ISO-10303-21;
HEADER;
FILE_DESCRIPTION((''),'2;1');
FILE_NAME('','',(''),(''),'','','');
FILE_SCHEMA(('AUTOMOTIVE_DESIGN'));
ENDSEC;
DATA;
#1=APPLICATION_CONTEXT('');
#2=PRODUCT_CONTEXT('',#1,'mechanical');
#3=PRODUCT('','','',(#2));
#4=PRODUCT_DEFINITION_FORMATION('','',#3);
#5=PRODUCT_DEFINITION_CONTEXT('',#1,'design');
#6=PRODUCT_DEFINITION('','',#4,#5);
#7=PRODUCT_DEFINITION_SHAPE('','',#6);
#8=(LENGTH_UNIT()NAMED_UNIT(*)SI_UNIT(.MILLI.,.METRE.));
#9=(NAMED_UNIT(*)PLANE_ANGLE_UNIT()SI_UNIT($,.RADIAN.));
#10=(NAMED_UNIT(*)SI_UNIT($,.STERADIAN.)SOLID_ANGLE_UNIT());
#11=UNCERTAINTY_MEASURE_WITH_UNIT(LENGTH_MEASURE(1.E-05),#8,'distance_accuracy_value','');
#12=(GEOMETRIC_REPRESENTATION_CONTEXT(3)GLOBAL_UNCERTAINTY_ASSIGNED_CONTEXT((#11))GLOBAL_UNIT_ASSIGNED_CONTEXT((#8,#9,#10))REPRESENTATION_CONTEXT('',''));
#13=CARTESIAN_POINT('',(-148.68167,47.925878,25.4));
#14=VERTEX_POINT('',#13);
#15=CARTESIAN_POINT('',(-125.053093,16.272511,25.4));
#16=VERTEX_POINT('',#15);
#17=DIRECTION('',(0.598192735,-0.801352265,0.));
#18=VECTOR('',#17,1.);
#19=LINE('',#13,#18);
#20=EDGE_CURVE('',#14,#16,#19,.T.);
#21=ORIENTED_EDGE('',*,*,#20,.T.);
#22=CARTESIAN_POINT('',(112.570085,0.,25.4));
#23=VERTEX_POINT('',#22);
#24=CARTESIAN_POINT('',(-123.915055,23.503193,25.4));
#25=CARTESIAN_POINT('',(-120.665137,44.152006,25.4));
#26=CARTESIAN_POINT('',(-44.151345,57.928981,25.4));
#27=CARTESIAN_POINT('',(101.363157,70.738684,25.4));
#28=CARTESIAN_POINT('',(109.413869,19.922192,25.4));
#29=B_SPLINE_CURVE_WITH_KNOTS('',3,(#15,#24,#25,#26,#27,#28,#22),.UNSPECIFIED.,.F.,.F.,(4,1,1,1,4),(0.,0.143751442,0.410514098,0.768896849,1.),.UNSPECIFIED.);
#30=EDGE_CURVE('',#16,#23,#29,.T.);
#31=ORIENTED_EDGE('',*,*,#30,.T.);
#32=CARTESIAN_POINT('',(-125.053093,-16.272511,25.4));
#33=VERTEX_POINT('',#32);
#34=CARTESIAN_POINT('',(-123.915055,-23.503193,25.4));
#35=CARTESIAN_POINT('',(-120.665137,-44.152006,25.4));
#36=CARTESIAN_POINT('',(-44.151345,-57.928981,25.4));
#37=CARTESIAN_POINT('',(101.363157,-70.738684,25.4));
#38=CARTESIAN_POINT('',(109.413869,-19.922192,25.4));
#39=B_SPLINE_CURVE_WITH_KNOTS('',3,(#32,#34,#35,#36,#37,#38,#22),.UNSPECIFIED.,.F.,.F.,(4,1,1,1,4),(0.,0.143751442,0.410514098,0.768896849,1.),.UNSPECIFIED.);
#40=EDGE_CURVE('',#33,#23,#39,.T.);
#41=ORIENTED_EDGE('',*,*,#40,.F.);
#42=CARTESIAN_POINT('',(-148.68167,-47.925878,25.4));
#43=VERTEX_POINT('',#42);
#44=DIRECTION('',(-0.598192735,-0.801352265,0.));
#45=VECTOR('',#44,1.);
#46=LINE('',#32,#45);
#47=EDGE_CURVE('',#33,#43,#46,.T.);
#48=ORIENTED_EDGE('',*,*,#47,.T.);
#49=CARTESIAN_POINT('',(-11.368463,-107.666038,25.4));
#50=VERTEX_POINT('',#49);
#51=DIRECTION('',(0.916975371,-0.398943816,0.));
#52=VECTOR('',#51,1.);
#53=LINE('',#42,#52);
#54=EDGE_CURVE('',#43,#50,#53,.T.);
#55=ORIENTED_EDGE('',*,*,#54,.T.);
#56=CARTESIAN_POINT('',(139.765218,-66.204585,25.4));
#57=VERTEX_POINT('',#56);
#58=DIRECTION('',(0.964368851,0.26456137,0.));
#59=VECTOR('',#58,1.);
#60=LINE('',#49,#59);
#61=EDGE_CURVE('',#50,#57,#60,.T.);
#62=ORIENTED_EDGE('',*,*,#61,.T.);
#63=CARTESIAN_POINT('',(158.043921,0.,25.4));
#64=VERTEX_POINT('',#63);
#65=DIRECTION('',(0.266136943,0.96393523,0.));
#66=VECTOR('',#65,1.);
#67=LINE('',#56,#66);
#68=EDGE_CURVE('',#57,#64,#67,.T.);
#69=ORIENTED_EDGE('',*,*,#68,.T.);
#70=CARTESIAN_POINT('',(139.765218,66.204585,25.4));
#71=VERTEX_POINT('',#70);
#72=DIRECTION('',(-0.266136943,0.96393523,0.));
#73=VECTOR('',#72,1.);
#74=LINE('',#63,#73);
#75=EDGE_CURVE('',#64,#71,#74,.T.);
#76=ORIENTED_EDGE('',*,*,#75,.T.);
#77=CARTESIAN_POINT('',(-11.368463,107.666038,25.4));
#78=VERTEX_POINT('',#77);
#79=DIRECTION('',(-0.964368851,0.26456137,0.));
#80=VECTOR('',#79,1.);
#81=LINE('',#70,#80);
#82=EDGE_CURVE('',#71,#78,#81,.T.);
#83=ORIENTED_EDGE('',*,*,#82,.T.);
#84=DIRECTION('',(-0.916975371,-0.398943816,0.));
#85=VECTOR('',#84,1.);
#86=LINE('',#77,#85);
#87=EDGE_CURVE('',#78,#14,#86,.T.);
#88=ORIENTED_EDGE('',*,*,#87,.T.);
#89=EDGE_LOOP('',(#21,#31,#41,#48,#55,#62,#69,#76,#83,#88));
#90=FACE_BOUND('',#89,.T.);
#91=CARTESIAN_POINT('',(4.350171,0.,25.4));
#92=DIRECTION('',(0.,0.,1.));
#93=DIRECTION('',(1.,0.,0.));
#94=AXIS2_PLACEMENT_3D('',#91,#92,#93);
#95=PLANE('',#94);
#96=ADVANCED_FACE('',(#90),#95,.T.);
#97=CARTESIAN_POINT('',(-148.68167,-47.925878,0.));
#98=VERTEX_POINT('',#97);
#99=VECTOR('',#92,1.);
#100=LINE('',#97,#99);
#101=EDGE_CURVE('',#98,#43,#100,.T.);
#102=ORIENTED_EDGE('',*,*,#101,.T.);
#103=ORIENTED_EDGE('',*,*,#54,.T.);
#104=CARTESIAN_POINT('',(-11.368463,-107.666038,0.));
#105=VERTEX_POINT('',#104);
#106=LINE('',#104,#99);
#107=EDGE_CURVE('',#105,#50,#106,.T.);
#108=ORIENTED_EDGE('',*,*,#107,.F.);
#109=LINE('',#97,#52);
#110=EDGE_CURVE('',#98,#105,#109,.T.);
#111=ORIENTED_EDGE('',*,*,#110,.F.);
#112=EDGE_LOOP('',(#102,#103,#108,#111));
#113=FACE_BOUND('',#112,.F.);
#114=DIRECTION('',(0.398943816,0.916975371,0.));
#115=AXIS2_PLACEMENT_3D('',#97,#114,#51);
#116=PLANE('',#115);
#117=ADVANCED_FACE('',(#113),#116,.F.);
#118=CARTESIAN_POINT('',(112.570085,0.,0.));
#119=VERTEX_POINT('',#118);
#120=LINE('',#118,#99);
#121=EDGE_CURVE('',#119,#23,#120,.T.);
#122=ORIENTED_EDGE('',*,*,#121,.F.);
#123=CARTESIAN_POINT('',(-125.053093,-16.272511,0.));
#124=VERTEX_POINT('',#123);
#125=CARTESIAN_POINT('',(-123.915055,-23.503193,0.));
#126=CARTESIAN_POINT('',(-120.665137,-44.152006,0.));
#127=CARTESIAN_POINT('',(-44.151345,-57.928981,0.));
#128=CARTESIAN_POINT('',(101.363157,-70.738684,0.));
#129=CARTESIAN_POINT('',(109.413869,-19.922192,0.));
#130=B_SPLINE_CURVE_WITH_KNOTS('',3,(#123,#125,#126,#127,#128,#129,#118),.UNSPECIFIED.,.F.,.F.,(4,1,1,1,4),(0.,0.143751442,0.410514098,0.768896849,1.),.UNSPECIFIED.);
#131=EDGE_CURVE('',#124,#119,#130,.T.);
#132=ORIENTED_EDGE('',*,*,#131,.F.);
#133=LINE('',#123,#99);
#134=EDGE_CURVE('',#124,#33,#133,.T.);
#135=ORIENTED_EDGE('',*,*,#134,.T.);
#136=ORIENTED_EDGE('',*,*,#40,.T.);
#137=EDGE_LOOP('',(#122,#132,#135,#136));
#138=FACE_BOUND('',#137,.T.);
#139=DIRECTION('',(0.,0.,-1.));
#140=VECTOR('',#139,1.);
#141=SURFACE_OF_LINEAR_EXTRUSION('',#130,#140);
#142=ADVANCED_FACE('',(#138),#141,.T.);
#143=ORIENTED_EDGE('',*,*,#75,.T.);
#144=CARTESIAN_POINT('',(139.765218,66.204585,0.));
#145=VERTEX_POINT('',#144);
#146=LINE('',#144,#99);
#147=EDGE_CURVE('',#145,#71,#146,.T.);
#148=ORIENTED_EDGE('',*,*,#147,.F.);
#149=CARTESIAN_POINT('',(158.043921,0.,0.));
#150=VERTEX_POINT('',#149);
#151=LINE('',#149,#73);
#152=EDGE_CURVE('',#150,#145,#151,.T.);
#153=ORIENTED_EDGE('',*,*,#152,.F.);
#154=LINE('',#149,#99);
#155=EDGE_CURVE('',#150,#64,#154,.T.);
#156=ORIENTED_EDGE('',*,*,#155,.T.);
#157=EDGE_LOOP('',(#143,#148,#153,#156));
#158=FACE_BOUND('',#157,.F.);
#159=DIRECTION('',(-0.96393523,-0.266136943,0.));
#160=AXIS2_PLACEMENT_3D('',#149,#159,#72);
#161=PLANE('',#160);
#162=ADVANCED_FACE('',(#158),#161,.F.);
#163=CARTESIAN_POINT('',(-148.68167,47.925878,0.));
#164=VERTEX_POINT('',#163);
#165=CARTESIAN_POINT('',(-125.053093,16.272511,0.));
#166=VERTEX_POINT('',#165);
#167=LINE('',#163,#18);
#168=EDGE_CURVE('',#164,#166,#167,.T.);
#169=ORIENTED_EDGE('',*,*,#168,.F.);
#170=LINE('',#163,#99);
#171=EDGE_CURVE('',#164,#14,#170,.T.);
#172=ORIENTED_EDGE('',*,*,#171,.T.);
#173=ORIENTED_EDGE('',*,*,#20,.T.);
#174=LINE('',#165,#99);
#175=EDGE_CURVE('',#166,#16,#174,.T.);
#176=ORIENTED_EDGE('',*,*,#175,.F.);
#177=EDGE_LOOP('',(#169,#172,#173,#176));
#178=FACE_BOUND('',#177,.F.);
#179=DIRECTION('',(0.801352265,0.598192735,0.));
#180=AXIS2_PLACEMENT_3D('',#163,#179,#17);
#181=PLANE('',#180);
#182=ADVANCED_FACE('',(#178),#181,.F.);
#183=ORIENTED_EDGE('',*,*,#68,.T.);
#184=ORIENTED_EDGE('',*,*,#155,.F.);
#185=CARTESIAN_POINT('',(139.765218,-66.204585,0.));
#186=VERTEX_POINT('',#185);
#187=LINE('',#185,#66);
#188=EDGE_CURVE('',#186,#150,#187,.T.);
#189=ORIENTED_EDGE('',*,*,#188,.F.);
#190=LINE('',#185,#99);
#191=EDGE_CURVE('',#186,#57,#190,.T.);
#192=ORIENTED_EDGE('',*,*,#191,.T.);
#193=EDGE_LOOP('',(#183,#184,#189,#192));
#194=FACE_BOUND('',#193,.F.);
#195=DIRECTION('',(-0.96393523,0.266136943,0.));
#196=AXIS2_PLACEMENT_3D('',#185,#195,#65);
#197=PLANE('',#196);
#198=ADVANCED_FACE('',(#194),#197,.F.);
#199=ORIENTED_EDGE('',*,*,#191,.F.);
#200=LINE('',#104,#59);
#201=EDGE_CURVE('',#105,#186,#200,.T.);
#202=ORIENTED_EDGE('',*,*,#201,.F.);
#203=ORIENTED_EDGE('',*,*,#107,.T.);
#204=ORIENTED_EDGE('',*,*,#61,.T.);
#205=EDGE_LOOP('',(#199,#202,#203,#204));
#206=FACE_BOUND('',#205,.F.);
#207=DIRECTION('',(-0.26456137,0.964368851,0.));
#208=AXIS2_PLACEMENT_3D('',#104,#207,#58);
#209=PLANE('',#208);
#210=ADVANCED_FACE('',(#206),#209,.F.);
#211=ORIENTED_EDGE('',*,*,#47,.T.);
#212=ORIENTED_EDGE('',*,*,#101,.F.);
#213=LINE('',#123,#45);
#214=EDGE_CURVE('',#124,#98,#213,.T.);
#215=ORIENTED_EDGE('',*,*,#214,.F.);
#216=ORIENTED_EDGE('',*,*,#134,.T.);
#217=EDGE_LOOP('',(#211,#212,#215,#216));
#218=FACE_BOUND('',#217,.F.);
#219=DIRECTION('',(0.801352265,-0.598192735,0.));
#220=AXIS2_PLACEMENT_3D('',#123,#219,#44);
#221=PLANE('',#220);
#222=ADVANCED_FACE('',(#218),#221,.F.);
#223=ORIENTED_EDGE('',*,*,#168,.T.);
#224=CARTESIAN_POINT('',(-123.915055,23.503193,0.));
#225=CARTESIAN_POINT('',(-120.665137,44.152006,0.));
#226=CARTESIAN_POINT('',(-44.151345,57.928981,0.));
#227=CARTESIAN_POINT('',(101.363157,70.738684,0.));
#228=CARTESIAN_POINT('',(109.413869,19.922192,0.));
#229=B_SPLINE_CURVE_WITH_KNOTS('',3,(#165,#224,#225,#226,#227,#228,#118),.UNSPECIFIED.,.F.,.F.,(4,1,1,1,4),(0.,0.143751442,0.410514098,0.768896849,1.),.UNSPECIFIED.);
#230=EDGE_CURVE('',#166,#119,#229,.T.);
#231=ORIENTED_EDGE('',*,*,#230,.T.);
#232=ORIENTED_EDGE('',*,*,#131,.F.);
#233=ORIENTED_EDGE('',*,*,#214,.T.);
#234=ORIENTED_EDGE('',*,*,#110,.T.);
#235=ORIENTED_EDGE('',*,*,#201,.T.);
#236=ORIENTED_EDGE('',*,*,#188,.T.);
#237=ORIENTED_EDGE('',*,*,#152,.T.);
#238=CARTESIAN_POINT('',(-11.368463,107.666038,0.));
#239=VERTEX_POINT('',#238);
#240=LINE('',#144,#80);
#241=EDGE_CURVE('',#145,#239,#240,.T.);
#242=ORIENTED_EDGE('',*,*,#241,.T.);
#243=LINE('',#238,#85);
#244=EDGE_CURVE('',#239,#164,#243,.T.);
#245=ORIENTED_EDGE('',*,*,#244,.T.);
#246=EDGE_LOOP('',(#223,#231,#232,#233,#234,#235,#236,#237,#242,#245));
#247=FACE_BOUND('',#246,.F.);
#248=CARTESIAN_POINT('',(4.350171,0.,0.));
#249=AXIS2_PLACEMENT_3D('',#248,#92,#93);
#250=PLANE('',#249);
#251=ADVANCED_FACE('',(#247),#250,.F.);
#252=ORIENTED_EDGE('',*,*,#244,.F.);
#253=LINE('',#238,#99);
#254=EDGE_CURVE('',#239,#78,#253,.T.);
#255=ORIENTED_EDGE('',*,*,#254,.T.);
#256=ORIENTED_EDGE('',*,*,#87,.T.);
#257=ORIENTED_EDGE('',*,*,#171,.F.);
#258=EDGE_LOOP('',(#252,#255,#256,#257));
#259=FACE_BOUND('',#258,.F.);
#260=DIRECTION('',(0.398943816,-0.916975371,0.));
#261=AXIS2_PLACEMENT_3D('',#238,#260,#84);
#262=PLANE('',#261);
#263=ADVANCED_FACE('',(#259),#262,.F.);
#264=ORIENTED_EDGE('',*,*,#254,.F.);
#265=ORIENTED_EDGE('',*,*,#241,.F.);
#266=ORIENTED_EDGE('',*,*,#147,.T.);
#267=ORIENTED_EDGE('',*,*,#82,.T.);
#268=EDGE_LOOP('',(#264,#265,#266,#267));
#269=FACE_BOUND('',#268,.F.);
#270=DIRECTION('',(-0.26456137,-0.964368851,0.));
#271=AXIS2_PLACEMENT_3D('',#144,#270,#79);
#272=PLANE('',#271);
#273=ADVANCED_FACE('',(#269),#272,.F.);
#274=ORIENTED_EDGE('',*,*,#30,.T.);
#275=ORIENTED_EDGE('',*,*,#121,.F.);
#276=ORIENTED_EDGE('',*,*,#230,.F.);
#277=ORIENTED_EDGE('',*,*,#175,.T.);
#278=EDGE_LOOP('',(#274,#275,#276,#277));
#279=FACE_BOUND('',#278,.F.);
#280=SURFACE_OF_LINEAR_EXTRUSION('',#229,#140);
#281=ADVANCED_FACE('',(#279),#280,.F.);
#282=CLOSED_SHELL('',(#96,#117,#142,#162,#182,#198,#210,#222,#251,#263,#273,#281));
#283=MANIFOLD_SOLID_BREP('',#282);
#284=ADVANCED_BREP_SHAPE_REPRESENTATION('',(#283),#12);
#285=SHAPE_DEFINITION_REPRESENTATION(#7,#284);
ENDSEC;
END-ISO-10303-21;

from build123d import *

# Parameters (mm, degrees)
F1_DEPTH = 25.4


with BuildPart() as f1:
    # F0 (on Top) → F1 (new body)
    with BuildSketch(Plane.XY):
        with BuildLine():
            Line((-148.6816704273, 47.9258783162), (-125.0530928373, 16.2725113332))
            add(Edge.make_bspline(
                [(-125.0530928373, 16.2725113332), (-123.9150552823, 23.5031928616), (-120.665136863, 44.1520062327), (-44.1513454458, 57.9289810707), (101.3631570312, 70.7386841043), (109.4138686502, 19.9221921677), (112.5700846314, 0)],
                knots=[0, 0, 0, 0, 0.1437514422, 0.4105140975, 0.7688968486, 1, 1, 1, 1], degree=3))
            add(Edge.make_bspline(
                [(-125.0530928373, -16.2725113332), (-123.9150552823, -23.5031928616), (-120.665136863, -44.1520062327), (-44.1513454458, -57.9289810707), (101.3631570312, -70.7386841043), (109.4138686502, -19.9221921677), (112.5700846314, 0)],
                knots=[0, 0, 0, 0, 0.1437514422, 0.4105140975, 0.7688968486, 1, 1, 1, 1], degree=3))
            Line((-125.0530928373, -16.2725113332), (-148.6816704273, -47.9258783162))
            Line((-148.6816704273, -47.9258783162), (-11.3684628159, -107.6660379767))
            Line((-11.3684628159, -107.6660379767), (139.7652179003, -66.204585135))
            Line((139.7652179003, -66.204585135), (158.0439209938, 0))
            Line((158.0439209938, 0), (139.7652179003, 66.204585135))
            Line((139.7652179003, 66.204585135), (-11.3684628159, 107.6660379767))
            Line((-11.3684628159, 107.6660379767), (-148.6816704273, 47.9258783162))
        make_face()
    extrude(amount=F1_DEPTH)


solid = f1.part
